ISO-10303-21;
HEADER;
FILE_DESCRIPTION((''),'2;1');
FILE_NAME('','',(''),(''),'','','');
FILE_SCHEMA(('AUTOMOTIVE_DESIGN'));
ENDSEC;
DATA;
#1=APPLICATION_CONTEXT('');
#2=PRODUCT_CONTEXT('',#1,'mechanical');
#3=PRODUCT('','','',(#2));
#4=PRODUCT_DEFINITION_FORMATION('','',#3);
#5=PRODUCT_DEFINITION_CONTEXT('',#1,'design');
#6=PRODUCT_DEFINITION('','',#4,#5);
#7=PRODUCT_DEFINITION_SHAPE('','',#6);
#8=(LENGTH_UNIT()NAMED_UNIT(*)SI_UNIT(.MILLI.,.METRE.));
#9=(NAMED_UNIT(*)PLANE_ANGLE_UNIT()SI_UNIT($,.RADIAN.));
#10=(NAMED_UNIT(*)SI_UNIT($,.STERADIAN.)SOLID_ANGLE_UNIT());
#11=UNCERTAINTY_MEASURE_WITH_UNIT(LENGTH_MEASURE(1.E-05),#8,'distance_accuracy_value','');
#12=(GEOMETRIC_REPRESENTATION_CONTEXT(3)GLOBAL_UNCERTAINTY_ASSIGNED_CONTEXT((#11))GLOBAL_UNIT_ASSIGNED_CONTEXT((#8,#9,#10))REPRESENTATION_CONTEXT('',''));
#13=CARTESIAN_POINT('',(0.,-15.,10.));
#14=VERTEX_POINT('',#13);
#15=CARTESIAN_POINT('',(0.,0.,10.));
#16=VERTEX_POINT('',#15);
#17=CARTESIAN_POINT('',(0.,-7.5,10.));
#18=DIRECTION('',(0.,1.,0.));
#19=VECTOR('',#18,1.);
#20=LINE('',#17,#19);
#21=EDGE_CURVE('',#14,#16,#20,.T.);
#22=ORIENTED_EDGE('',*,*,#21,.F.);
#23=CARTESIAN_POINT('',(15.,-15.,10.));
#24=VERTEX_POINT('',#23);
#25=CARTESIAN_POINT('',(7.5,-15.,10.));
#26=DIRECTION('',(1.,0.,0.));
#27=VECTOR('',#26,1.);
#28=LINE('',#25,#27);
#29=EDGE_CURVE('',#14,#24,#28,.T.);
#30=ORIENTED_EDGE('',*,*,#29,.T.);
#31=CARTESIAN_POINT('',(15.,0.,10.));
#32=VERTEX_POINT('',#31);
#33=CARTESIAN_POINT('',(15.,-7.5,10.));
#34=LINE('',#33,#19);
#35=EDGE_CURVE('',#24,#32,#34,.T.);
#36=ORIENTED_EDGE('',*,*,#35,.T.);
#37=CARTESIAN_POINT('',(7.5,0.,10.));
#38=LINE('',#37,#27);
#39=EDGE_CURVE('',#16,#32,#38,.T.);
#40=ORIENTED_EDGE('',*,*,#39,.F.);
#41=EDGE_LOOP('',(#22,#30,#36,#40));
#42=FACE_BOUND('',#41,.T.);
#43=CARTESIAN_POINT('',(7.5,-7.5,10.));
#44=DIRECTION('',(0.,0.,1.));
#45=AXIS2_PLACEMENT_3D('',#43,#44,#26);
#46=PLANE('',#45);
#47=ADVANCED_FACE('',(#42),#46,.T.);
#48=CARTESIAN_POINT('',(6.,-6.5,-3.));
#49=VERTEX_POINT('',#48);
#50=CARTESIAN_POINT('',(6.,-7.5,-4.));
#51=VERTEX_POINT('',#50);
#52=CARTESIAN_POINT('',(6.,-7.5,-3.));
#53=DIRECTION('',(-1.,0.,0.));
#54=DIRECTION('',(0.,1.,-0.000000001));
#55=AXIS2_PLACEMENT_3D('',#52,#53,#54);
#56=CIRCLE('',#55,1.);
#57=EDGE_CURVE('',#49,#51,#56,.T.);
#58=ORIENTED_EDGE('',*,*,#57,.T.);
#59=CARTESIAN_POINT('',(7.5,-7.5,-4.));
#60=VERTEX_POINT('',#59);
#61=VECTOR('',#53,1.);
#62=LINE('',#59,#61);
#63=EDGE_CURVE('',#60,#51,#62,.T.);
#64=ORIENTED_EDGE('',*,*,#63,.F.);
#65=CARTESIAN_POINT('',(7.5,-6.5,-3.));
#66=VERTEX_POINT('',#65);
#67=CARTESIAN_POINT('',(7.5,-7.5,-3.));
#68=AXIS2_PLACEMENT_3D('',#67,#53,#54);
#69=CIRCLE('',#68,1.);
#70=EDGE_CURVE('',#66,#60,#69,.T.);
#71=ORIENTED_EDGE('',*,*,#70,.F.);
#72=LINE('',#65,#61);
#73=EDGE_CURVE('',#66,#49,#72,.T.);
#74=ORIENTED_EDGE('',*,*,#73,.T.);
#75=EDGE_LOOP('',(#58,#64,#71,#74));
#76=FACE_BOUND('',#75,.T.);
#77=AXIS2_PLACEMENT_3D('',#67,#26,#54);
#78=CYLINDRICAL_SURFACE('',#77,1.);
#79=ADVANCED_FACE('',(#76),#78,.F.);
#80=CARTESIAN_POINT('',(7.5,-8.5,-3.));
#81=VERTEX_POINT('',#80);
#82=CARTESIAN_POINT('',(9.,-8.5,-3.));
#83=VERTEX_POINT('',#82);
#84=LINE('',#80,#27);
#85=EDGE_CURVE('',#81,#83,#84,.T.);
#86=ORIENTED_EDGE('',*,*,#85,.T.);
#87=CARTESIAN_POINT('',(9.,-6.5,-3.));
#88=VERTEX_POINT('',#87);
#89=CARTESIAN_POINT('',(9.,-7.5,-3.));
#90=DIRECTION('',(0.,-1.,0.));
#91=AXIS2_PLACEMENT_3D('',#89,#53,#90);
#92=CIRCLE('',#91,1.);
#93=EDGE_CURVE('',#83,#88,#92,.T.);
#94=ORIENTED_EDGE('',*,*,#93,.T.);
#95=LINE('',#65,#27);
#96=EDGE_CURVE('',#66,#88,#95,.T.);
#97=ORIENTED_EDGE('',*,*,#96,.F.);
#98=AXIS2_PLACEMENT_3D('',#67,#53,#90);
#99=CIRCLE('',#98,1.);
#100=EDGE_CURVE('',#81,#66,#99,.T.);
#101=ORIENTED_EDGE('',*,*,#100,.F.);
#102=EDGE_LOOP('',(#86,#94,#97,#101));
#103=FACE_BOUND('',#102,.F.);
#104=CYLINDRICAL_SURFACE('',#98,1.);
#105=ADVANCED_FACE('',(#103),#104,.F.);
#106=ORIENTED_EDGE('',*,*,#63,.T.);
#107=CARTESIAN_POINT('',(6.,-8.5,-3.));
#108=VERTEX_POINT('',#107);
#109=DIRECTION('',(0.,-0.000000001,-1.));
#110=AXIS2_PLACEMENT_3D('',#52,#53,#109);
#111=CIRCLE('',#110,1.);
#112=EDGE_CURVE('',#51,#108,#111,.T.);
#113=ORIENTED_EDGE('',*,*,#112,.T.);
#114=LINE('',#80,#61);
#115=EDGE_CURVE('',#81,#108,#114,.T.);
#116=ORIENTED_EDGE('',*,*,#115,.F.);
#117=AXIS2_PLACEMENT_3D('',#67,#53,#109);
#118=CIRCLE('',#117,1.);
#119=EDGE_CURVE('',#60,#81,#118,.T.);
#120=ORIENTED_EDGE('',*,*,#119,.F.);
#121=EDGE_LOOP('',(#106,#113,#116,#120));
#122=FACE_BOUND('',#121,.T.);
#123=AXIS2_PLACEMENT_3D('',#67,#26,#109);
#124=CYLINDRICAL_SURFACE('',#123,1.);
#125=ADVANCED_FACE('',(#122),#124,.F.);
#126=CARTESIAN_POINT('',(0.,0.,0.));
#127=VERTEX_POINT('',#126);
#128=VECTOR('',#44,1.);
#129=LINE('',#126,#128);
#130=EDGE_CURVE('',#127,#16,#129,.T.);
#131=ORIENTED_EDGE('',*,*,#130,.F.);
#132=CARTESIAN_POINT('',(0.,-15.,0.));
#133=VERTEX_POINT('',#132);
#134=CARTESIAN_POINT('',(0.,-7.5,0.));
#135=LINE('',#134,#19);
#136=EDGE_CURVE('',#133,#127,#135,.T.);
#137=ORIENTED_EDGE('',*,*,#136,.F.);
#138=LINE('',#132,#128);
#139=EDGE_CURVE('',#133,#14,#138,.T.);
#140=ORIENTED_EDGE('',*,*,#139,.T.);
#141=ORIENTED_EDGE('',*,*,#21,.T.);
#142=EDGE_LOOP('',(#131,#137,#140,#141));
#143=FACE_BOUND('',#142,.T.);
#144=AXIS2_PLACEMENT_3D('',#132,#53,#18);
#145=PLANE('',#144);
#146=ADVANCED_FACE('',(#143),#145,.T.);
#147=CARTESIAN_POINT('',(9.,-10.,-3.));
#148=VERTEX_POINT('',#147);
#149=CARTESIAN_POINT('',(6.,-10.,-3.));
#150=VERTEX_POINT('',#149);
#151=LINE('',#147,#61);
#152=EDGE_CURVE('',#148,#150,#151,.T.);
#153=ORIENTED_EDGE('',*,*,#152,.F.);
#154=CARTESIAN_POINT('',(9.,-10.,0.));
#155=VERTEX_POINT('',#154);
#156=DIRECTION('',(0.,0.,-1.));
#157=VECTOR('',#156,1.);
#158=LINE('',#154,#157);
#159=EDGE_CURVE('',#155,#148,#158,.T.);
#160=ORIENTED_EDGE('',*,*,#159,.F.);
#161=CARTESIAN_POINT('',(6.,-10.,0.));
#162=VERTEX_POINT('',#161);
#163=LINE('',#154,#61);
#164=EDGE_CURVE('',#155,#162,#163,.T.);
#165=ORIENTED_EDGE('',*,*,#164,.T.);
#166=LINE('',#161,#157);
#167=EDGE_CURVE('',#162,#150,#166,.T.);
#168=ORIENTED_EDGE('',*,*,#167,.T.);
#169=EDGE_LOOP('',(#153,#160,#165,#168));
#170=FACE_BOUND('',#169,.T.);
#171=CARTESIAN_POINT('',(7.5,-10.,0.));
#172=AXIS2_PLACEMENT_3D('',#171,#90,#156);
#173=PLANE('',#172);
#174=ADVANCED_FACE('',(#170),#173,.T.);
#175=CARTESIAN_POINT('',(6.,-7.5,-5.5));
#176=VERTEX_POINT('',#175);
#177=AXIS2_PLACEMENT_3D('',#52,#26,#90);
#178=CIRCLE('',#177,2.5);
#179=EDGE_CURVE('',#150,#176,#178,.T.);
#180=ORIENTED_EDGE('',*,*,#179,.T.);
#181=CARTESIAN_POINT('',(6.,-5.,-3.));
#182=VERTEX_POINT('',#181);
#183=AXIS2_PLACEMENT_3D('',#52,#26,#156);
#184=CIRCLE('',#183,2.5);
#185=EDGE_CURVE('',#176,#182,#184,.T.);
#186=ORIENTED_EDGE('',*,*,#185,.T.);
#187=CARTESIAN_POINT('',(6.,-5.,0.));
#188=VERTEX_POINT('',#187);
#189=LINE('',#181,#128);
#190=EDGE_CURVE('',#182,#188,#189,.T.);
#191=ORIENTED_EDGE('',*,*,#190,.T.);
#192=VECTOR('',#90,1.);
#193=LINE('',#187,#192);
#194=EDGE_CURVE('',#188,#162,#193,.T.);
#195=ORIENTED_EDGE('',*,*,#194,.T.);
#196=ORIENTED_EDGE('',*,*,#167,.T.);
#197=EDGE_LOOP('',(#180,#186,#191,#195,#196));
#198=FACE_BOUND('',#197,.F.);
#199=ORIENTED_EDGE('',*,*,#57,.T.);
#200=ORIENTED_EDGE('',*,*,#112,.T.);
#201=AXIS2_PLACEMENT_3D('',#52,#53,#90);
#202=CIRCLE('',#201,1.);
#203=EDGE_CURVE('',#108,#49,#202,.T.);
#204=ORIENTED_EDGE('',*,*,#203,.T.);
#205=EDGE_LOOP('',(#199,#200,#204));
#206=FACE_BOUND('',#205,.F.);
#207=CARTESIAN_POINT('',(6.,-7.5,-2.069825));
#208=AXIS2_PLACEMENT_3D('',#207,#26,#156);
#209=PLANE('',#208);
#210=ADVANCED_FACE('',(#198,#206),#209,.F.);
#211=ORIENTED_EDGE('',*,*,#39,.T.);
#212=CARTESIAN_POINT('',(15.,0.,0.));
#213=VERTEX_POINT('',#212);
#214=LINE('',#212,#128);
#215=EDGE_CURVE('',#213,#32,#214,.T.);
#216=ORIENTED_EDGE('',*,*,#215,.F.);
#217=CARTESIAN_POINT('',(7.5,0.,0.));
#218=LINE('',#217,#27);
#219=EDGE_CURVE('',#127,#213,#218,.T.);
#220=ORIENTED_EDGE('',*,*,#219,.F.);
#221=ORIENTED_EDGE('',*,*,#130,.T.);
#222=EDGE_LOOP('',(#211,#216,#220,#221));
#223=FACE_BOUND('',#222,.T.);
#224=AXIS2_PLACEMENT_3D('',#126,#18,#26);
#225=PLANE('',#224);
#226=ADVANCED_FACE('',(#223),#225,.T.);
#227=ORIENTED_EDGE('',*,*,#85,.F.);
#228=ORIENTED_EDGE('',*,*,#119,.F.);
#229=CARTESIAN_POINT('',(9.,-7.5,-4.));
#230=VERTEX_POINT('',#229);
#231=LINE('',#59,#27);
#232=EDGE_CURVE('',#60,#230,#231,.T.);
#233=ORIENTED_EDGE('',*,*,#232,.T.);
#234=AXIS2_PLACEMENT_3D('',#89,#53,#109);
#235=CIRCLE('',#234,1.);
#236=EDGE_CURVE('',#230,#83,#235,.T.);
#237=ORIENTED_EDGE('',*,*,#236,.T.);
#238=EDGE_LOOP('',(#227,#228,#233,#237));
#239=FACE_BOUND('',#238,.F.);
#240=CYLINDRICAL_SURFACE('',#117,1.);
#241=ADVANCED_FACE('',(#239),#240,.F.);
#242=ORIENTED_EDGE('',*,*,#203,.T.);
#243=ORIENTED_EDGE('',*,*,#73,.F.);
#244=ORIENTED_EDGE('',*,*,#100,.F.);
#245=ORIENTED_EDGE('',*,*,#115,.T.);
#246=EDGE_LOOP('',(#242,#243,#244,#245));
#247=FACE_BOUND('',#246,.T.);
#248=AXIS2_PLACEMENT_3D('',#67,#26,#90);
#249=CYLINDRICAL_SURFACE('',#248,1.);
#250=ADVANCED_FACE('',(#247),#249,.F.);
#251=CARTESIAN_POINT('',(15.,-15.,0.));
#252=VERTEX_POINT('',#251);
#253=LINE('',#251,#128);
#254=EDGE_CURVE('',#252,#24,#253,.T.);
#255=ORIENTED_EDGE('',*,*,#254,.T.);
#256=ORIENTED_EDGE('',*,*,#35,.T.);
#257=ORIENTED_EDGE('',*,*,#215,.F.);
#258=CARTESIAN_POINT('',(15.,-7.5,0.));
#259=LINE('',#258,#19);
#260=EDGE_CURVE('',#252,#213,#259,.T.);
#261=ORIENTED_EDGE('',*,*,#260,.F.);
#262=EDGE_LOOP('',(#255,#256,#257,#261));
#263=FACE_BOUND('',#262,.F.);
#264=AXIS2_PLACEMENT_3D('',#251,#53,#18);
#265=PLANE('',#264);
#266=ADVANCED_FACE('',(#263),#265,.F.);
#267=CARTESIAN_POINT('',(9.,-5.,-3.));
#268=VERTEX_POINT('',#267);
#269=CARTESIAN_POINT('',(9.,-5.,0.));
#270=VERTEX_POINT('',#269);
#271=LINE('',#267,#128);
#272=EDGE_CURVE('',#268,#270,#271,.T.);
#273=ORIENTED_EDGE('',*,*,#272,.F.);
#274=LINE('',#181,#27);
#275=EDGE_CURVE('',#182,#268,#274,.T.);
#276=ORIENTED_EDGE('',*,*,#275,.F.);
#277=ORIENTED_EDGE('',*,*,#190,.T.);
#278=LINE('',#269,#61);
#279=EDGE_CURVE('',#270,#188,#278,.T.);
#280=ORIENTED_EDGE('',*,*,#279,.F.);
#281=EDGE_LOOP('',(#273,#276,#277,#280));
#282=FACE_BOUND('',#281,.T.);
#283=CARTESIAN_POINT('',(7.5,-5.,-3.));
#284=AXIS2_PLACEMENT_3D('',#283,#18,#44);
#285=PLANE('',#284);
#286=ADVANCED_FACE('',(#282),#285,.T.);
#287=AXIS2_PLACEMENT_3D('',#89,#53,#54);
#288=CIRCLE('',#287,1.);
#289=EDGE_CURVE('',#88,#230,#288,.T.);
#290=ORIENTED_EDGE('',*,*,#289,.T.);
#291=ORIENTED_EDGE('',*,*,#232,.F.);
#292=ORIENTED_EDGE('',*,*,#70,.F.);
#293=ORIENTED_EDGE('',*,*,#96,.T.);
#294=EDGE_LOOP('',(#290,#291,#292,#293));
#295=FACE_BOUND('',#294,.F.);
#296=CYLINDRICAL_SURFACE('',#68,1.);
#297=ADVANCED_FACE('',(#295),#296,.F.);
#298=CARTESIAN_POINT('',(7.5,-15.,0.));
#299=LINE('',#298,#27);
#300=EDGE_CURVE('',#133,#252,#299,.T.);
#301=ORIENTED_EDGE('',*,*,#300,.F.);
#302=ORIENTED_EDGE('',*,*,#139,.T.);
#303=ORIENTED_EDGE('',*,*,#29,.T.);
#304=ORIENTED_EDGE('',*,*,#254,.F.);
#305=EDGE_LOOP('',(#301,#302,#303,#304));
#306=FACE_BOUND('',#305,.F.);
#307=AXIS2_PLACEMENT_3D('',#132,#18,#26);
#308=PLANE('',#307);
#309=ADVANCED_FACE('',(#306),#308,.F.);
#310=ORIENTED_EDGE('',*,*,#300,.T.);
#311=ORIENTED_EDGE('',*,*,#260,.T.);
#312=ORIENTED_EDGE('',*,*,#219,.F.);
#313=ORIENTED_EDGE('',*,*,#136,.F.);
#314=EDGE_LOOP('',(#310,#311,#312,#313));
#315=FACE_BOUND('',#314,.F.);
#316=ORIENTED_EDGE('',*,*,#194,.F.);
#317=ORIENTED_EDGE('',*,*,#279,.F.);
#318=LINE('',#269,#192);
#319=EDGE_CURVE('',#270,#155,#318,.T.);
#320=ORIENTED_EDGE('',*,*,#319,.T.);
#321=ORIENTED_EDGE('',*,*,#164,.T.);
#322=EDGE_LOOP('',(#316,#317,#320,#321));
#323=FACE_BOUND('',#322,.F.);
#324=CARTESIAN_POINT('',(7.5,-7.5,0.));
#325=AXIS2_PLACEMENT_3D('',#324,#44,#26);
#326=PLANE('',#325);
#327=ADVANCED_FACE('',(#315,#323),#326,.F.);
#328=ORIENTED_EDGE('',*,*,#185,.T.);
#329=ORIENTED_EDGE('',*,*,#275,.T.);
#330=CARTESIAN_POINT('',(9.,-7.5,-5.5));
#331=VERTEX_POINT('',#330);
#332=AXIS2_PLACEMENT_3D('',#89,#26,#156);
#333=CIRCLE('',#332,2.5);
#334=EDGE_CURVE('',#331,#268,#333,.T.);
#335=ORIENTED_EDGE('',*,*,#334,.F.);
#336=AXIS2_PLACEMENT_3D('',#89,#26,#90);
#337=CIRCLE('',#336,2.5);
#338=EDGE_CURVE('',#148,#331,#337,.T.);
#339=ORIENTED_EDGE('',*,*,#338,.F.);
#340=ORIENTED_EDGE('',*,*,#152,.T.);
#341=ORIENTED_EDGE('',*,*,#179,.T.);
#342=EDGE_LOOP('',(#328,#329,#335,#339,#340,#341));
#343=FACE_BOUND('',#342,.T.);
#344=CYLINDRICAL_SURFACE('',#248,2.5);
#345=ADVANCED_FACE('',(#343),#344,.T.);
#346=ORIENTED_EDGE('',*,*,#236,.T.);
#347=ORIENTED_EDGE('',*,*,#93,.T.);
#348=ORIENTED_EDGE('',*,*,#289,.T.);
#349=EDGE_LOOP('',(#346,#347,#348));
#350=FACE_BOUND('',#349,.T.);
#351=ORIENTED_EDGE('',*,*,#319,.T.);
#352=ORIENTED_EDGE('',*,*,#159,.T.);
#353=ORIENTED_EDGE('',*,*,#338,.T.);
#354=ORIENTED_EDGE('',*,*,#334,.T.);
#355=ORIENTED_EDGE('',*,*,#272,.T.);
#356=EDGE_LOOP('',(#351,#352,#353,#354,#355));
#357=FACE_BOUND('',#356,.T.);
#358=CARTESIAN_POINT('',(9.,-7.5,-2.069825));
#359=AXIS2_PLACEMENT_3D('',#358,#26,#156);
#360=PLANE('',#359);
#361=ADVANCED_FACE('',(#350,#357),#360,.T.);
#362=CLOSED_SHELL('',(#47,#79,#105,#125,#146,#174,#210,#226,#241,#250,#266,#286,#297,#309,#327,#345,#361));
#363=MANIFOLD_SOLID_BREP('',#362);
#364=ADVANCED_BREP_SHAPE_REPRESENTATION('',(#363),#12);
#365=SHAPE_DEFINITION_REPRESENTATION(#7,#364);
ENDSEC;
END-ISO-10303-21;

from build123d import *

# Parameters (mm, degrees)
SKETCH1_W           = 15
SKETCH1_H           = 15
BOSS_EXTRUDE1_DEPTH = 10
BOSS_EXTRUDE2_DEPTH = 1.5


with BuildPart() as part:
    # Sketch1 → Boss-Extrude1 (new body)
    with BuildSketch(Plane.XY):
        with Locations((7.5, -7.5)):
            Rectangle(SKETCH1_W, SKETCH1_H)
    extrude(amount=BOSS_EXTRUDE1_DEPTH)

    # Sketch2 → Boss-Extrude2 (add, symmetric)
    with BuildSketch(Plane(origin=(7.5, 0, 0), x_dir=(0, 0, -1), z_dir=(1, 0, 0))):
        with BuildLine():
            ThreePointArc((3, -5), (0.5, -7.5), (3, -10))
            Line((3, -10), (3, -8.5))
            ThreePointArc((3, -8.5), (2, -7.5), (3, -6.5))
            Line((3, -6.5), (3, -5))
        make_face()
        with BuildLine():
            Line((3, -8.5), (3, -10))
            ThreePointArc((3, -10), (4.767766953, -9.267766953), (5.5, -7.5))
            ThreePointArc((5.5, -7.5), (4.767766953, -5.732233047), (3, -5))
            Line((3, -5), (3, -6.5))
            ThreePointArc((3, -6.5), (3.707106781, -6.792893219), (4, -7.5))
            ThreePointArc((4, -7.5), (3.707106781, -8.207106781), (3, -8.5))
        make_face()
        with BuildLine():
            Line((0, -10), (3, -10))
            ThreePointArc((3, -10), (0.5, -7.5), (3, -5))
            Line((3, -5), (0, -5))
            Line((0, -5), (0, -10))
        make_face()
    extrude(amount=BOSS_EXTRUDE2_DEPTH, both=True)


solid = part.part
